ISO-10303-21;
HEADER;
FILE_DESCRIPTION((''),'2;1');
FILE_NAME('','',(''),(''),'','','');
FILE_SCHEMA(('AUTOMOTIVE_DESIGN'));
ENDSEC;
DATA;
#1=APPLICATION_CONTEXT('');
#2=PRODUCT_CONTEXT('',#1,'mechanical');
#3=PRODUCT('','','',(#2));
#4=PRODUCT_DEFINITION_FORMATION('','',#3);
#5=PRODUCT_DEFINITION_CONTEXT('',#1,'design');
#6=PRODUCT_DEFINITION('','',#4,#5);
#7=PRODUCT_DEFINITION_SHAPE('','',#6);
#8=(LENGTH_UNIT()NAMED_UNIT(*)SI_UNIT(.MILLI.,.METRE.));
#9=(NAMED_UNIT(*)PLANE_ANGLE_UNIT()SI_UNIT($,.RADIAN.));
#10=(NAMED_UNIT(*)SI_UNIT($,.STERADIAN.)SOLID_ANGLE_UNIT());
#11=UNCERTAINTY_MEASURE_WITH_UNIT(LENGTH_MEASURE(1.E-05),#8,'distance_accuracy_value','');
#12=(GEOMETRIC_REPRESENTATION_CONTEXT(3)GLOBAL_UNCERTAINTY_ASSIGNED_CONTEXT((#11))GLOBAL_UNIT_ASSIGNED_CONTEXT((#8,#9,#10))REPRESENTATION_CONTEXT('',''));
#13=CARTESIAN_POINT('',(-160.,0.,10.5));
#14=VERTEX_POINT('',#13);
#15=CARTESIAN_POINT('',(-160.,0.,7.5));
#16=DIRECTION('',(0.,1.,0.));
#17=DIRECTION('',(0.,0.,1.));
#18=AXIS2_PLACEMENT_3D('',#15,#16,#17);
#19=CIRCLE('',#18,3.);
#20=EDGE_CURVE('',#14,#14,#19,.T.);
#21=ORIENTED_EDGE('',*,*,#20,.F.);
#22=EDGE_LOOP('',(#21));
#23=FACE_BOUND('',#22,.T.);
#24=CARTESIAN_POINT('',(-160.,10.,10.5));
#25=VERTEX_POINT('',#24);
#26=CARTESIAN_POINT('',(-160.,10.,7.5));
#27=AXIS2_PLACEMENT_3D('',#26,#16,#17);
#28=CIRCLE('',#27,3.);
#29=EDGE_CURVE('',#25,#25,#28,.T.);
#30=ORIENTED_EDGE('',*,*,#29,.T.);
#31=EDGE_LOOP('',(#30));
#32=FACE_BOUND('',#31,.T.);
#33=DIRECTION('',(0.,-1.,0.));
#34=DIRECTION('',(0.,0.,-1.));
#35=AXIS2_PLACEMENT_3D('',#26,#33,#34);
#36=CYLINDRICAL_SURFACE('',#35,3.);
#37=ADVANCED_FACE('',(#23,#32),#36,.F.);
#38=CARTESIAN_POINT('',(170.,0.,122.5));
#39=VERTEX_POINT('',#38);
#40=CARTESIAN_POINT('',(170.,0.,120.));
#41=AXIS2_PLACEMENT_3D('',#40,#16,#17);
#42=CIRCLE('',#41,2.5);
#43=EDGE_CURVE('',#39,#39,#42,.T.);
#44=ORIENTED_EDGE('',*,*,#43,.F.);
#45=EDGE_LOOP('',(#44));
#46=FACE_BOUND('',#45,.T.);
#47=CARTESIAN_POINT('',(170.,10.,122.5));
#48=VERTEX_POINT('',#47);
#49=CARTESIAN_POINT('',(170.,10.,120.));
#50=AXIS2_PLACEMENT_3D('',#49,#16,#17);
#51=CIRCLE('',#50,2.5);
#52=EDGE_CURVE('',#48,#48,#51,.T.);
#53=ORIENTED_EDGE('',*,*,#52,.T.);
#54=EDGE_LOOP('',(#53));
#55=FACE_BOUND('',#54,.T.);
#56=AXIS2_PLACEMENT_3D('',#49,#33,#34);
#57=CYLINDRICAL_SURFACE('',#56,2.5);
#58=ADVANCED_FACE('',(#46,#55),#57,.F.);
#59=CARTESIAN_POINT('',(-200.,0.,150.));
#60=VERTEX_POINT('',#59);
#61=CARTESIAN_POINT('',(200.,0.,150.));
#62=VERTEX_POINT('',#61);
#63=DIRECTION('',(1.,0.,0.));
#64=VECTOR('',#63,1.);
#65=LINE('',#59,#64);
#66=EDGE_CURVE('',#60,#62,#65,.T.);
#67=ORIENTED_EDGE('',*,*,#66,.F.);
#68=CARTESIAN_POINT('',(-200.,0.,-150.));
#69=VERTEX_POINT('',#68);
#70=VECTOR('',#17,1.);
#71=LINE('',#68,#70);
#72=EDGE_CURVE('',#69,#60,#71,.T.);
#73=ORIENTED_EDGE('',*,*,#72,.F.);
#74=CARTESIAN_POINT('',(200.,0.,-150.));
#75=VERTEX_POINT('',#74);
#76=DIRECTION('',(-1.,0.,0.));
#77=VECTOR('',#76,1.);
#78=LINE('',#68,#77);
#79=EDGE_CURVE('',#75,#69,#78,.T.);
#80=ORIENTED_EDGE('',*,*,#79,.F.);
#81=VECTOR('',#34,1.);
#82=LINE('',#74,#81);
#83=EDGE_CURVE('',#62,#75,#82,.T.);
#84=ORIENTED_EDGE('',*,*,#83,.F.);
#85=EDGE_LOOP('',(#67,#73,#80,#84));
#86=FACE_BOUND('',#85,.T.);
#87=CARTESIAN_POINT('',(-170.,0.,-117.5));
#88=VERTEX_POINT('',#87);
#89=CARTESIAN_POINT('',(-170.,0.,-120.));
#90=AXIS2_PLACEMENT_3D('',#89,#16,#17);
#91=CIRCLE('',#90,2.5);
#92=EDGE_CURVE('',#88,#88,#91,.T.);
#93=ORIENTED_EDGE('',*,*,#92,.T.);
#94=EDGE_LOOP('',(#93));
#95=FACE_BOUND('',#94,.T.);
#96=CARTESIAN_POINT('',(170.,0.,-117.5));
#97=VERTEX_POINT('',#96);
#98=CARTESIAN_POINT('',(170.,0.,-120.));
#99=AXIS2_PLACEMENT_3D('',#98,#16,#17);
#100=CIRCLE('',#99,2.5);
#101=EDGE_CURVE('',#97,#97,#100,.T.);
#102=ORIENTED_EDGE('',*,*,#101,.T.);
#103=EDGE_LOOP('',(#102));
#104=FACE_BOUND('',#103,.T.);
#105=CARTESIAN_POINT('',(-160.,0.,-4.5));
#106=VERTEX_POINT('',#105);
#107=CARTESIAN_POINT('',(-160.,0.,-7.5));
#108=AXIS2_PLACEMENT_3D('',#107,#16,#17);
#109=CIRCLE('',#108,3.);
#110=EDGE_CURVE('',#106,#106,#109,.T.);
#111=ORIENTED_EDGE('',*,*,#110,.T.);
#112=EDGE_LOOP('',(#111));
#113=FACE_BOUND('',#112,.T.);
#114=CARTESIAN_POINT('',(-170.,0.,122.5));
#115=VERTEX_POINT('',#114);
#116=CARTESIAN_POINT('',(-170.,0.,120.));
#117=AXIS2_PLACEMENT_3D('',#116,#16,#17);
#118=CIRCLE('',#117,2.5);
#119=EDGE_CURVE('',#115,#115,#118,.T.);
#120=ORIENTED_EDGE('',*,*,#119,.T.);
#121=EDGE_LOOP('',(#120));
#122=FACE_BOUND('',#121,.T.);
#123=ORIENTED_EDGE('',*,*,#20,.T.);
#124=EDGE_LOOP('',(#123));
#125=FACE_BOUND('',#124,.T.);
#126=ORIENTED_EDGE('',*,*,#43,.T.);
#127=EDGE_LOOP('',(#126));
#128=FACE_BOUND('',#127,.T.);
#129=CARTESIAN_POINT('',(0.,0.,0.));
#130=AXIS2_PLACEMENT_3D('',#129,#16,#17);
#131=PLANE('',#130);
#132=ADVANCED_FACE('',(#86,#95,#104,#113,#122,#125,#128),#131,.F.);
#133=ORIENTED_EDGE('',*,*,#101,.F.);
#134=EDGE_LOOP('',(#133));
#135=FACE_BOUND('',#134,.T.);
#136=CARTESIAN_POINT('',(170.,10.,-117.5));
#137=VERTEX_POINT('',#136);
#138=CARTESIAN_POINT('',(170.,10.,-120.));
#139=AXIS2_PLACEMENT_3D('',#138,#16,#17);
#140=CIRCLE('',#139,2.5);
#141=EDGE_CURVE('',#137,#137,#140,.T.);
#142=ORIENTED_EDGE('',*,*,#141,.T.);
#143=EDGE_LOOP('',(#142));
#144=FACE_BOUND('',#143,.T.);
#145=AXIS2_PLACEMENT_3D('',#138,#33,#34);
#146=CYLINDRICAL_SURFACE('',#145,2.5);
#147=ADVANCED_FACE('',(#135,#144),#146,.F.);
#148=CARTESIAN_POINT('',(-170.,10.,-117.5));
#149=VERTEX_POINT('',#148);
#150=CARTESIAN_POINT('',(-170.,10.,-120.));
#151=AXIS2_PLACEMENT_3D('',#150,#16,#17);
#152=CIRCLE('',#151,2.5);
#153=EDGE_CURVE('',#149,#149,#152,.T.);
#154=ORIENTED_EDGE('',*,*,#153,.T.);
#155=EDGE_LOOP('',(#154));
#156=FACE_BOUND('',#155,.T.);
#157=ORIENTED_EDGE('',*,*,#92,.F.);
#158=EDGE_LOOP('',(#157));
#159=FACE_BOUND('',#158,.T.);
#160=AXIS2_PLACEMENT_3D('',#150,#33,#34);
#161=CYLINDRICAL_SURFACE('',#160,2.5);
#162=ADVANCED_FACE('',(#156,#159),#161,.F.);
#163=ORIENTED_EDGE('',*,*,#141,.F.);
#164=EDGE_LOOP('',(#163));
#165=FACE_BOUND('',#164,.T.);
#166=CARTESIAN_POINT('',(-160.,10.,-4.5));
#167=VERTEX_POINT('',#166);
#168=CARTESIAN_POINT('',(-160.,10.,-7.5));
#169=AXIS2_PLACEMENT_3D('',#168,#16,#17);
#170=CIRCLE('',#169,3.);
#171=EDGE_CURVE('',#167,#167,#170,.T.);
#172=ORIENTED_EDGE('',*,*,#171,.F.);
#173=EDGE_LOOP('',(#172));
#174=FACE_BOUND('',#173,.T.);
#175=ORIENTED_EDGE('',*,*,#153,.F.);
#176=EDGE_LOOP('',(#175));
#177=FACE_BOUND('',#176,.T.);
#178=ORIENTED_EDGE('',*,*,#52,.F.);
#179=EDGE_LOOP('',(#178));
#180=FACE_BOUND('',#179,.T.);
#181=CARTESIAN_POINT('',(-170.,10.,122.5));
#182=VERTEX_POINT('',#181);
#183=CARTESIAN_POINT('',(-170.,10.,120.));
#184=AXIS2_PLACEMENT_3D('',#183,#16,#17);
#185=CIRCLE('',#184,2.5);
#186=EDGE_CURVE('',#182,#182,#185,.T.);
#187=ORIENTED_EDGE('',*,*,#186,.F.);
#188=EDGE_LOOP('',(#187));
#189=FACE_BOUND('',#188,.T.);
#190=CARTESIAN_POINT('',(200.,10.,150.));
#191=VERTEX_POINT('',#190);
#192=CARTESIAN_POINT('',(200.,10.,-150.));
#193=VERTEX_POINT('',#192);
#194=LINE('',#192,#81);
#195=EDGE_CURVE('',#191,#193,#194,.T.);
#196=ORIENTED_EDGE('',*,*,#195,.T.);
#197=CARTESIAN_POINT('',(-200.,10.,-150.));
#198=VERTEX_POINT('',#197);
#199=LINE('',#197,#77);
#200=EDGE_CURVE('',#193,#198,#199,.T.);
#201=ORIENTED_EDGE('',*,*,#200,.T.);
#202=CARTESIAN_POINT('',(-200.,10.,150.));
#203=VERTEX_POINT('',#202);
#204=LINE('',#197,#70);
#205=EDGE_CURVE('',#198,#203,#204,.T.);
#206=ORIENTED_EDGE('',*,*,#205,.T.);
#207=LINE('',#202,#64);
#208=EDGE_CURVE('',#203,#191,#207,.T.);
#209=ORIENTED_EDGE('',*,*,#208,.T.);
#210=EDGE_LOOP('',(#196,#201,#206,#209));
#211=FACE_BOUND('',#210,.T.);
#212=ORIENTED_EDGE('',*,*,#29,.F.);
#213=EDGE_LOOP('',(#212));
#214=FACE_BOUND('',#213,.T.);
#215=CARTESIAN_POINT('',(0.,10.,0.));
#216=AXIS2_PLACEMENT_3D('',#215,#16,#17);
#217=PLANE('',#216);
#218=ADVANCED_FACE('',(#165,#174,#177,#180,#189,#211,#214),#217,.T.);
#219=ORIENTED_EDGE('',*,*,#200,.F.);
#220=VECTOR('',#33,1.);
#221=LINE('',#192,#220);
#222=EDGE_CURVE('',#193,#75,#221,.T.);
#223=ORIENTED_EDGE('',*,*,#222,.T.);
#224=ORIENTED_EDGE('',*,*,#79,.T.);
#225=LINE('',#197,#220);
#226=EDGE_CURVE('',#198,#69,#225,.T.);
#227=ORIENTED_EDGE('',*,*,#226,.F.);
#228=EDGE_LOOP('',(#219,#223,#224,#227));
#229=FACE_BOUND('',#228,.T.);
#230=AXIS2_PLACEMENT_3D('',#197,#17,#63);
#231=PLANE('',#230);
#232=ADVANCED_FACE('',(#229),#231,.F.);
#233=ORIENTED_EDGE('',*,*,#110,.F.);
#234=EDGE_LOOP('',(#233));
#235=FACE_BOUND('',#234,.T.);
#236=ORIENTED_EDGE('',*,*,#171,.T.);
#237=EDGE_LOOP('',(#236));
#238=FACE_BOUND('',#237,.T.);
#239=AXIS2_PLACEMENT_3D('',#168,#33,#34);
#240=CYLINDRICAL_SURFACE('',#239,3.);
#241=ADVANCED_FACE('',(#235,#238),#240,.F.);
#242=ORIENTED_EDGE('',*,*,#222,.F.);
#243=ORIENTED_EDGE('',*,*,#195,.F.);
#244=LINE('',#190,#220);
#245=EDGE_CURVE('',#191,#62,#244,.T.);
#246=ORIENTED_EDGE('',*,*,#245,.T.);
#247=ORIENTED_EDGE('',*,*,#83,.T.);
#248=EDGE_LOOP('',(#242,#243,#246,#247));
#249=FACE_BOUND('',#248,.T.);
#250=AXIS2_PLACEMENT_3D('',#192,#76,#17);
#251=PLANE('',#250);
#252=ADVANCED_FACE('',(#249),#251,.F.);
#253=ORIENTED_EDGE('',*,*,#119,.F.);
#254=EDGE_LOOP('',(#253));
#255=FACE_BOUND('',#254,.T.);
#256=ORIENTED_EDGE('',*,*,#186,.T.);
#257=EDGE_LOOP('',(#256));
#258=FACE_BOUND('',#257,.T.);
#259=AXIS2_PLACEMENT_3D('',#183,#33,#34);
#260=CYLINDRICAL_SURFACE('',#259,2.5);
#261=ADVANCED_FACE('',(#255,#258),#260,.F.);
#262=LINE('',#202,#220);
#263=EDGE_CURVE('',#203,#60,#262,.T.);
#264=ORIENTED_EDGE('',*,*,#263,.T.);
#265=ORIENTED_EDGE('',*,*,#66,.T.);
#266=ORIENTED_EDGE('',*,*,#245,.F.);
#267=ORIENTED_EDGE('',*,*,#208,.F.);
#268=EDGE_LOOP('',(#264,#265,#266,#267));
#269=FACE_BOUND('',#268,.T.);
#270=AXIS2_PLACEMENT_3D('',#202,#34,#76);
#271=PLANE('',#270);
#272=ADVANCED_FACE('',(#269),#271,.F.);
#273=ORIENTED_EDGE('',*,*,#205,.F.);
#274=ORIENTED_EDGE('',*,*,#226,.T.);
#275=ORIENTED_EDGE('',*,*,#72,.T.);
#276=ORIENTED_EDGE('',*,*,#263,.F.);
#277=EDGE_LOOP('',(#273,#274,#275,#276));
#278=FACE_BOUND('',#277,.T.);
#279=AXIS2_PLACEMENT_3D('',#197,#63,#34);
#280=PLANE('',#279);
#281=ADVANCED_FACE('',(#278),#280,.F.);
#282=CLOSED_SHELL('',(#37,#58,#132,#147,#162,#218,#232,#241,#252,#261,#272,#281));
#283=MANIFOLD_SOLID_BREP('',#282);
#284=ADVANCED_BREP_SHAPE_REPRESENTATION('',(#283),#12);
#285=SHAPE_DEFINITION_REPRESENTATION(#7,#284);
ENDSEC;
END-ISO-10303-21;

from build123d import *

# Parameters (mm, degrees)
BASEPLATE_W         = 400
BASEPLATE_H         = 300
BASEPLATE_R         = 3
BASEPLATE_R_2       = 2.5
BOSS_EXTRUDE1_DEPTH = 10


with BuildPart() as part:
    # BasePlate → Boss-Extrude1 (new body)
    with BuildSketch(Plane(origin=(0, 0, 0), x_dir=(1, 0, 0), z_dir=(0, 1, 0))):
        Rectangle(BASEPLATE_W, BASEPLATE_H)
        with Locations(Location((-160, 7.5, 0), (0, 0, 270))):
            Circle(BASEPLATE_R, mode=Mode.SUBTRACT)
        with Locations(Location((-160, -7.5, 0), (0, 0, 270))):
            Circle(BASEPLATE_R, mode=Mode.SUBTRACT)
        with Locations(Location((-170, 120, 0), (0, 0, 270))):
            Circle(BASEPLATE_R_2, mode=Mode.SUBTRACT)
        with Locations(Location((170, 120, 0), (0, 0, 270))):
            Circle(BASEPLATE_R_2, mode=Mode.SUBTRACT)
        with Locations(Location((170, -120, 0), (0, 0, 270))):
            Circle(BASEPLATE_R_2, mode=Mode.SUBTRACT)
        with Locations(Location((-170, -120, 0), (0, 0, 270))):
            Circle(BASEPLATE_R_2, mode=Mode.SUBTRACT)
    extrude(amount=BOSS_EXTRUDE1_DEPTH)


solid = part.part
